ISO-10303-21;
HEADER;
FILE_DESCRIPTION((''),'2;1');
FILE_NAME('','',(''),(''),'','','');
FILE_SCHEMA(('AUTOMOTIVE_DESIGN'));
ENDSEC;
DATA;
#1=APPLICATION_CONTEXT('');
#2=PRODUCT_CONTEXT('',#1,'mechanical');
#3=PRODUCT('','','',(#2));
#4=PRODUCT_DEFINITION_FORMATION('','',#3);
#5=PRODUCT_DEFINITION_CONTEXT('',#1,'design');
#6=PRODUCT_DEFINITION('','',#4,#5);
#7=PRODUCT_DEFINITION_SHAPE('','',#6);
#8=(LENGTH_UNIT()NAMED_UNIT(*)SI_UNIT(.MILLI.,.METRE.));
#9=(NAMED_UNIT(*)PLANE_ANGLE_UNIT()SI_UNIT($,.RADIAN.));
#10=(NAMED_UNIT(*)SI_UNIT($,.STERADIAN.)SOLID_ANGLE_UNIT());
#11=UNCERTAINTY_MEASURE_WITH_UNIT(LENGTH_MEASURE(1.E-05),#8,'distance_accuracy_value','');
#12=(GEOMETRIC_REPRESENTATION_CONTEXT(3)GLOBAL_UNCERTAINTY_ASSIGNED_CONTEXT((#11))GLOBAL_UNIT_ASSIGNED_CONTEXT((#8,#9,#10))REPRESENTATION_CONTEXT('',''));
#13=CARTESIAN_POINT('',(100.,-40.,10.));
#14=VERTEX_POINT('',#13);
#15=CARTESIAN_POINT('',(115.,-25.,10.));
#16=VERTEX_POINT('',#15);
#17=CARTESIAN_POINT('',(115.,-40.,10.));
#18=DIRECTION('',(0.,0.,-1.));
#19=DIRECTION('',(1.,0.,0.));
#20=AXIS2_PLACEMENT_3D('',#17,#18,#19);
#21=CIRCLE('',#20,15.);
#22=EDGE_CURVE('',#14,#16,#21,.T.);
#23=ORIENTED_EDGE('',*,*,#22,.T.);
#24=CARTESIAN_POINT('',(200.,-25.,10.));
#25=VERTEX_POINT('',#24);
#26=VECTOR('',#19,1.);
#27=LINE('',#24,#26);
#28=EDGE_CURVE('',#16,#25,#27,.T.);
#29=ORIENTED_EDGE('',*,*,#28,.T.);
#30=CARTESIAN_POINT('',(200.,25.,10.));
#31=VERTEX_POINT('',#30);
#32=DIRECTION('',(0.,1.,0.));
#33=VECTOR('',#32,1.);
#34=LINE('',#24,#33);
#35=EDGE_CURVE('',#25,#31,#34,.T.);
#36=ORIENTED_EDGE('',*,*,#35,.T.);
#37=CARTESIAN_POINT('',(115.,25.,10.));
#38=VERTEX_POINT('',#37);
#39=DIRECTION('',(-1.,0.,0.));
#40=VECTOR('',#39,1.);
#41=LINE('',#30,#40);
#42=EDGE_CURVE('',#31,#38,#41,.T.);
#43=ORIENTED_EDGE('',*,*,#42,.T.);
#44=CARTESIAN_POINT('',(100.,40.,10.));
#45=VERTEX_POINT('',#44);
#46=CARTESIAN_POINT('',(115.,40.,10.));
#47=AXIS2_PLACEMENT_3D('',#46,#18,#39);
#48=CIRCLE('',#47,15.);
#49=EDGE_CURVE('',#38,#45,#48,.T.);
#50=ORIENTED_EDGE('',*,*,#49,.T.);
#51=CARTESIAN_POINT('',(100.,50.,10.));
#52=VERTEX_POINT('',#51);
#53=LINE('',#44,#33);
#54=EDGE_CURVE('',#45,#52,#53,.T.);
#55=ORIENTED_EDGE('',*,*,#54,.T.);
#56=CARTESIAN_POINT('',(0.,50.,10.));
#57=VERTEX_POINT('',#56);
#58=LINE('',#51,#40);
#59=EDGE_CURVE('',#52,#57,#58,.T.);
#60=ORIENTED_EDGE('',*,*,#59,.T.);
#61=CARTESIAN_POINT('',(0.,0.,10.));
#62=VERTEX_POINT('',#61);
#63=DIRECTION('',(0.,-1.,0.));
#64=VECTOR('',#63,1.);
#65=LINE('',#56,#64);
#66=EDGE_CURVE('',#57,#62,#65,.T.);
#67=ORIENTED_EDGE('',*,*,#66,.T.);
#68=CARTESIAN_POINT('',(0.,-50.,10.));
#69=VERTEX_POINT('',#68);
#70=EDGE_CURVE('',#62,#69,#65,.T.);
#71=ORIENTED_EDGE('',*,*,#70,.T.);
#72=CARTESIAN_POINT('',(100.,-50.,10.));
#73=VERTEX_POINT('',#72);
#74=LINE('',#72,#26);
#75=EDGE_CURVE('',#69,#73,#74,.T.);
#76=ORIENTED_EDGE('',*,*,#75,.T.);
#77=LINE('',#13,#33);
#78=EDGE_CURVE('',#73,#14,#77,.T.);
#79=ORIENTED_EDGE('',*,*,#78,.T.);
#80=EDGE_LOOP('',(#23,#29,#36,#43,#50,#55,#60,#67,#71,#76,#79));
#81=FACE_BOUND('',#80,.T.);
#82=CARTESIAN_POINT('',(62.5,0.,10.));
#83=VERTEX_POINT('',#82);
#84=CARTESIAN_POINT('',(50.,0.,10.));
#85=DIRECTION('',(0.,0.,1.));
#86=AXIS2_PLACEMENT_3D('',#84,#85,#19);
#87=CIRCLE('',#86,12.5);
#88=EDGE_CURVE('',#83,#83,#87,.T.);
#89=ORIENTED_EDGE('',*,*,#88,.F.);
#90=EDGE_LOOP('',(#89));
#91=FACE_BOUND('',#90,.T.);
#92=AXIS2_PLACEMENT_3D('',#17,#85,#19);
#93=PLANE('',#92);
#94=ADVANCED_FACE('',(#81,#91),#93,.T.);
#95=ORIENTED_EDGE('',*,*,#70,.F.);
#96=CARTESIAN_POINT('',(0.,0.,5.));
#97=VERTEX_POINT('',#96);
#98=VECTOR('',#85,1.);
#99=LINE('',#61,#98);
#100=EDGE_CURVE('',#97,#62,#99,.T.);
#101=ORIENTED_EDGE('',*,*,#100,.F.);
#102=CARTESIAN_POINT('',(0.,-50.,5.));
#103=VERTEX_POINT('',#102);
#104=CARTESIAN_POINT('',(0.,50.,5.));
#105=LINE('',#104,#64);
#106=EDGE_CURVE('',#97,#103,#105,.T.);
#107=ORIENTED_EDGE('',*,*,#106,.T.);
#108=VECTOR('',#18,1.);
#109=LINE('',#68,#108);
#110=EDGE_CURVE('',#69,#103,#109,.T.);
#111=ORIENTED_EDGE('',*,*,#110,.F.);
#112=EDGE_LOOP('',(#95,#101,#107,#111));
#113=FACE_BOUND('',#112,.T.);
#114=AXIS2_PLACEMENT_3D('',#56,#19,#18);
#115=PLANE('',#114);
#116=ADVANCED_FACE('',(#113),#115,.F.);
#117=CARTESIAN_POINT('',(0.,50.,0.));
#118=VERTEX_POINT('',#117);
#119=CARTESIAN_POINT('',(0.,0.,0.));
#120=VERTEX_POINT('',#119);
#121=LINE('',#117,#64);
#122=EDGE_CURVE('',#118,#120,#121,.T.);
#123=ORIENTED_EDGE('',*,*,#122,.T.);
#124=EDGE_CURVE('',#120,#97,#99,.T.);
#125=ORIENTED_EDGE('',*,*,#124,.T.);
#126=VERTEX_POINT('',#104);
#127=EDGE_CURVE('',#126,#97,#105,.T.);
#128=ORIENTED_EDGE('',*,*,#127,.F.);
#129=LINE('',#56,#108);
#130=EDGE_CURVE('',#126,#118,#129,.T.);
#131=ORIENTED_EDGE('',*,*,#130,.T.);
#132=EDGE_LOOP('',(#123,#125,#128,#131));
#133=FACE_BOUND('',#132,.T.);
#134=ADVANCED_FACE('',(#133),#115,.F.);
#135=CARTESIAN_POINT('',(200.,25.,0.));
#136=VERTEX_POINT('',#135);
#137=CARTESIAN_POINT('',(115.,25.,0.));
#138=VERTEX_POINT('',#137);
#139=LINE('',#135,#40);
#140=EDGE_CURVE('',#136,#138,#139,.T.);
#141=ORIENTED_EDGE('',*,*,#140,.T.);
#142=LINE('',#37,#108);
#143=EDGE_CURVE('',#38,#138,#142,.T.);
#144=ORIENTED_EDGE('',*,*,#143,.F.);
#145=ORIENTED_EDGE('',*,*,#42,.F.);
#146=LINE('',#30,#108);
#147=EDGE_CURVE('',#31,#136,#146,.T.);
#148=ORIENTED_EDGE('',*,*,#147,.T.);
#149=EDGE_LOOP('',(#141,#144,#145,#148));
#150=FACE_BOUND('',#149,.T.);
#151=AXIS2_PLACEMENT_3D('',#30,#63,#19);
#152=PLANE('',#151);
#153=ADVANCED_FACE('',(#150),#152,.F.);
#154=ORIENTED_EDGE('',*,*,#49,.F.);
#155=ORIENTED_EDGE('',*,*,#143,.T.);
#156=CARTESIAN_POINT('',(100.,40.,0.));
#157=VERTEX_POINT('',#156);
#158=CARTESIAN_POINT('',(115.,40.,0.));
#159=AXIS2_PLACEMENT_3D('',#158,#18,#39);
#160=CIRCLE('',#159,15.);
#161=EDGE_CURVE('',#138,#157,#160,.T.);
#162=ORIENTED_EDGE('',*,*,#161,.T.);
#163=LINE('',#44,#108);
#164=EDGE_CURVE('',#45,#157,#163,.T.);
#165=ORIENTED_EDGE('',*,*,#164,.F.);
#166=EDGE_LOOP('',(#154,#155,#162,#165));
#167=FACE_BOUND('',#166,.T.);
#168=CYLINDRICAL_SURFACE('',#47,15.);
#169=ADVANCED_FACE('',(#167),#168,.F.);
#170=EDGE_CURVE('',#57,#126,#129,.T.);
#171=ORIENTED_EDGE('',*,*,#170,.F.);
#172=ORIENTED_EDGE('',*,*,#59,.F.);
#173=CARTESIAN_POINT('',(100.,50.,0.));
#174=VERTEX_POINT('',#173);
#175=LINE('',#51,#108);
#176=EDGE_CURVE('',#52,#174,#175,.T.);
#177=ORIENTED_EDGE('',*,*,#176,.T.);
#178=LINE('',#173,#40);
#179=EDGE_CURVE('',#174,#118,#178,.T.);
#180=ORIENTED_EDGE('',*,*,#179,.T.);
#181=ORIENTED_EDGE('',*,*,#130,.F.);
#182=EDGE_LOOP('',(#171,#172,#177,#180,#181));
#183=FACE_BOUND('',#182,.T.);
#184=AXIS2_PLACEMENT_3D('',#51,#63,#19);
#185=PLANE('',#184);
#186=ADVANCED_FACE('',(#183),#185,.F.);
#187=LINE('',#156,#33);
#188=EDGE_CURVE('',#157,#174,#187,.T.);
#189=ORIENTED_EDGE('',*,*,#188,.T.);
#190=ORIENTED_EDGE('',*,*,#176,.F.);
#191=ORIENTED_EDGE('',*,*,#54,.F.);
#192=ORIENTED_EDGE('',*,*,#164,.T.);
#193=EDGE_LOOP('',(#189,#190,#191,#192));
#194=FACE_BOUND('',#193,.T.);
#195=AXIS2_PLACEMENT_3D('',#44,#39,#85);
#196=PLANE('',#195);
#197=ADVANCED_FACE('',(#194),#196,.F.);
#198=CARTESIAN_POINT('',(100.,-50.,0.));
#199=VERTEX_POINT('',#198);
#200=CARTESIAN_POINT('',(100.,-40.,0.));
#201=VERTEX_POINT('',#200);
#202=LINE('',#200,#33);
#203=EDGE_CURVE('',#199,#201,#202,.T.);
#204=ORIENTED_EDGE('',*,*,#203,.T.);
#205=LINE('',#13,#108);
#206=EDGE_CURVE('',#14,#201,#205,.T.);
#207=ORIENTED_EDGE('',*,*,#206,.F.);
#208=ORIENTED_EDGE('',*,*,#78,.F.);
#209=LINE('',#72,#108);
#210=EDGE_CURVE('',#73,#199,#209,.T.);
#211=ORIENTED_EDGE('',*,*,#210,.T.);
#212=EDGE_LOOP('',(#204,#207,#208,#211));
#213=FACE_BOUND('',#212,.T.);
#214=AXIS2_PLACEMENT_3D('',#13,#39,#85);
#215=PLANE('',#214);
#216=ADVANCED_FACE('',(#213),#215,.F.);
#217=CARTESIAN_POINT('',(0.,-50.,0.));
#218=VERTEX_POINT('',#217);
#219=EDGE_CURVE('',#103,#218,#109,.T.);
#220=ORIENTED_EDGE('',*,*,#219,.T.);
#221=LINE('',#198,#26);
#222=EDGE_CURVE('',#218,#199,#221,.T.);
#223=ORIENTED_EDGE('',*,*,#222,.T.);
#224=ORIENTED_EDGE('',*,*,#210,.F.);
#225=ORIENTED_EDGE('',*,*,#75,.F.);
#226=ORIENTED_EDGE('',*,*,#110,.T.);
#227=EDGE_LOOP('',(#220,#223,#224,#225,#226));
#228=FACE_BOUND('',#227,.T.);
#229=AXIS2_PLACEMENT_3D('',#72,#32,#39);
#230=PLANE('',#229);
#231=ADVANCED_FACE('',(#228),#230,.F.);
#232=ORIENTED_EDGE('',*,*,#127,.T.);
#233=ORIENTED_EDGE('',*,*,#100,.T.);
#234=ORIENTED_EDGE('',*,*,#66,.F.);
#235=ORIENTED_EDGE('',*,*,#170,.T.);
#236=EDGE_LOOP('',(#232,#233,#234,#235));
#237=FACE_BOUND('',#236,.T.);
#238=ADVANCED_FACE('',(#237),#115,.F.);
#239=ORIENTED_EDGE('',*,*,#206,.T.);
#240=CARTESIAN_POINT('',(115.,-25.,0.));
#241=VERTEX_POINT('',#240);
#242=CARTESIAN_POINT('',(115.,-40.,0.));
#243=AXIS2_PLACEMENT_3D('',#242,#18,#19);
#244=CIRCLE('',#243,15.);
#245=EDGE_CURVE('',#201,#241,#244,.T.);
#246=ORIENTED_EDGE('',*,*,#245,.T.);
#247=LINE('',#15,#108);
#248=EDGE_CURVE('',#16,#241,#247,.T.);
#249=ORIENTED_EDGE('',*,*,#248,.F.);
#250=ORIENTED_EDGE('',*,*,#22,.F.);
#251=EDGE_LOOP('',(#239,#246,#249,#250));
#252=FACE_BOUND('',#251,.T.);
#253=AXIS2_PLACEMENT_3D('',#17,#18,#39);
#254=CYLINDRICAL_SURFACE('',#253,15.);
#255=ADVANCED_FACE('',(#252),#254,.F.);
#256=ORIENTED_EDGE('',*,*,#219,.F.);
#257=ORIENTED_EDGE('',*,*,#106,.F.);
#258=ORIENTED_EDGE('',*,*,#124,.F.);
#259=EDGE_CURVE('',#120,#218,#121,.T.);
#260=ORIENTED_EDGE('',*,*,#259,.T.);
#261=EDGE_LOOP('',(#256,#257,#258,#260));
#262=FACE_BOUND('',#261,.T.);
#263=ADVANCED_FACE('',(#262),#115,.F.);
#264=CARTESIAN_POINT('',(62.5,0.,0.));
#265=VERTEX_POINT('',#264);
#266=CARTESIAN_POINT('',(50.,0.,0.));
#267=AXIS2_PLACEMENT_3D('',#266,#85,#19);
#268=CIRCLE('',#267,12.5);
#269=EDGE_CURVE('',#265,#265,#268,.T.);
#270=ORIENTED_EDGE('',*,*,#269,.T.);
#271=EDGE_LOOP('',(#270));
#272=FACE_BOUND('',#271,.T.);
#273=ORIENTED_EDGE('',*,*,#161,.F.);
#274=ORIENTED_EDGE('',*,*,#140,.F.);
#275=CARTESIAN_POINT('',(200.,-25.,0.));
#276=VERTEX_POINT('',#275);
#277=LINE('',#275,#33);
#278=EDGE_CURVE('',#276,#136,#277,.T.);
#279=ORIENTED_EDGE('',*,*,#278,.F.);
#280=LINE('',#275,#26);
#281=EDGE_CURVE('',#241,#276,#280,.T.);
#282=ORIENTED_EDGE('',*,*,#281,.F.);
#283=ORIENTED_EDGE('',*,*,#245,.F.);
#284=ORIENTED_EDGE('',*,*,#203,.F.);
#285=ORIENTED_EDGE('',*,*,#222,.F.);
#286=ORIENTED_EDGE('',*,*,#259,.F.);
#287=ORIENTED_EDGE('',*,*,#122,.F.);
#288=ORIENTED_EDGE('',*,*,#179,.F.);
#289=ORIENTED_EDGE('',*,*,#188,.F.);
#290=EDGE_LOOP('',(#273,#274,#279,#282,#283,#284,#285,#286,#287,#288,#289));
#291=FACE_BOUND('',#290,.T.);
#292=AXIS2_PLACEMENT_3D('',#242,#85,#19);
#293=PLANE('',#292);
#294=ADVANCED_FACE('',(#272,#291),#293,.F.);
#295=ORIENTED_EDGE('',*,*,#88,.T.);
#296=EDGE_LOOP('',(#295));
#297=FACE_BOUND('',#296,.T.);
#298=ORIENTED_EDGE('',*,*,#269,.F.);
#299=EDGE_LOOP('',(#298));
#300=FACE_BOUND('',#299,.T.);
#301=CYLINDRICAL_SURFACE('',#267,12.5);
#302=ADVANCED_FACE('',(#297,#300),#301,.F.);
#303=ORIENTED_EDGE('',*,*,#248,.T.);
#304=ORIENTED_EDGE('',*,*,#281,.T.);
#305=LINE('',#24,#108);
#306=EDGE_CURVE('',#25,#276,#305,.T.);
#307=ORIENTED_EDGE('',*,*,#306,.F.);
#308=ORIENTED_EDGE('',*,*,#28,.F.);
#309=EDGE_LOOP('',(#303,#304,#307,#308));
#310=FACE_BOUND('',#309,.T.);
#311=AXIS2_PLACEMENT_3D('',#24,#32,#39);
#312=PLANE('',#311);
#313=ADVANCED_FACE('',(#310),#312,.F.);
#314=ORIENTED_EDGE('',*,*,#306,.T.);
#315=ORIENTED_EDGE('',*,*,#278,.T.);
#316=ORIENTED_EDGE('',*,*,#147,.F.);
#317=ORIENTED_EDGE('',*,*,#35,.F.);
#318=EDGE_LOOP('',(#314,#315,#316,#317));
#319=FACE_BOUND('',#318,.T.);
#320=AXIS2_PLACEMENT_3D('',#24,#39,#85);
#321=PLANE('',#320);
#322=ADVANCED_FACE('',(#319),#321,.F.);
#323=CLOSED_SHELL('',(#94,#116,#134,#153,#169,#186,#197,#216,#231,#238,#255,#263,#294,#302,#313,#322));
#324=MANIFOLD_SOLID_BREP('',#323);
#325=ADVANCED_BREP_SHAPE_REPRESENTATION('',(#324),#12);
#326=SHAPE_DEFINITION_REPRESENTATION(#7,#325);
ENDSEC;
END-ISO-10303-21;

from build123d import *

# Parameters (mm, degrees)
BOSS_EXTRUDE1_DEPTH = 10
SKETCH2_R           = 12.5
CUT_EXTRUDE1_DEPTH  = 11


with BuildPart() as part:
    # Sketch1 → Boss-Extrude1 (new body)
    with BuildSketch(Plane.XY):
        with BuildLine():
            Line((200, -25), (200, 25))
            Line((200, 25), (115, 25))
            ThreePointArc((115, 25), (104.393398282, 29.393398282), (100, 40))
            Line((100, 40), (100, 50))
            Line((100, 50), (0, 50))
            Line((0, 50), (0, -50))
            Line((0, -50), (100, -50))
            Line((100, -50), (100, -40))
            ThreePointArc((100, -40), (104.393398282, -29.393398282), (115, -25))
            Line((115, -25), (200, -25))
        make_face()
    extrude(amount=BOSS_EXTRUDE1_DEPTH)

    # Sketch2 → Cut-Extrude1 (cut, through all)
    with BuildSketch(Plane.XY.offset(10)):
        with Locations((50, 0)):
            Circle(SKETCH2_R)
    extrude(amount=-CUT_EXTRUDE1_DEPTH, mode=Mode.SUBTRACT)


solid = part.part
